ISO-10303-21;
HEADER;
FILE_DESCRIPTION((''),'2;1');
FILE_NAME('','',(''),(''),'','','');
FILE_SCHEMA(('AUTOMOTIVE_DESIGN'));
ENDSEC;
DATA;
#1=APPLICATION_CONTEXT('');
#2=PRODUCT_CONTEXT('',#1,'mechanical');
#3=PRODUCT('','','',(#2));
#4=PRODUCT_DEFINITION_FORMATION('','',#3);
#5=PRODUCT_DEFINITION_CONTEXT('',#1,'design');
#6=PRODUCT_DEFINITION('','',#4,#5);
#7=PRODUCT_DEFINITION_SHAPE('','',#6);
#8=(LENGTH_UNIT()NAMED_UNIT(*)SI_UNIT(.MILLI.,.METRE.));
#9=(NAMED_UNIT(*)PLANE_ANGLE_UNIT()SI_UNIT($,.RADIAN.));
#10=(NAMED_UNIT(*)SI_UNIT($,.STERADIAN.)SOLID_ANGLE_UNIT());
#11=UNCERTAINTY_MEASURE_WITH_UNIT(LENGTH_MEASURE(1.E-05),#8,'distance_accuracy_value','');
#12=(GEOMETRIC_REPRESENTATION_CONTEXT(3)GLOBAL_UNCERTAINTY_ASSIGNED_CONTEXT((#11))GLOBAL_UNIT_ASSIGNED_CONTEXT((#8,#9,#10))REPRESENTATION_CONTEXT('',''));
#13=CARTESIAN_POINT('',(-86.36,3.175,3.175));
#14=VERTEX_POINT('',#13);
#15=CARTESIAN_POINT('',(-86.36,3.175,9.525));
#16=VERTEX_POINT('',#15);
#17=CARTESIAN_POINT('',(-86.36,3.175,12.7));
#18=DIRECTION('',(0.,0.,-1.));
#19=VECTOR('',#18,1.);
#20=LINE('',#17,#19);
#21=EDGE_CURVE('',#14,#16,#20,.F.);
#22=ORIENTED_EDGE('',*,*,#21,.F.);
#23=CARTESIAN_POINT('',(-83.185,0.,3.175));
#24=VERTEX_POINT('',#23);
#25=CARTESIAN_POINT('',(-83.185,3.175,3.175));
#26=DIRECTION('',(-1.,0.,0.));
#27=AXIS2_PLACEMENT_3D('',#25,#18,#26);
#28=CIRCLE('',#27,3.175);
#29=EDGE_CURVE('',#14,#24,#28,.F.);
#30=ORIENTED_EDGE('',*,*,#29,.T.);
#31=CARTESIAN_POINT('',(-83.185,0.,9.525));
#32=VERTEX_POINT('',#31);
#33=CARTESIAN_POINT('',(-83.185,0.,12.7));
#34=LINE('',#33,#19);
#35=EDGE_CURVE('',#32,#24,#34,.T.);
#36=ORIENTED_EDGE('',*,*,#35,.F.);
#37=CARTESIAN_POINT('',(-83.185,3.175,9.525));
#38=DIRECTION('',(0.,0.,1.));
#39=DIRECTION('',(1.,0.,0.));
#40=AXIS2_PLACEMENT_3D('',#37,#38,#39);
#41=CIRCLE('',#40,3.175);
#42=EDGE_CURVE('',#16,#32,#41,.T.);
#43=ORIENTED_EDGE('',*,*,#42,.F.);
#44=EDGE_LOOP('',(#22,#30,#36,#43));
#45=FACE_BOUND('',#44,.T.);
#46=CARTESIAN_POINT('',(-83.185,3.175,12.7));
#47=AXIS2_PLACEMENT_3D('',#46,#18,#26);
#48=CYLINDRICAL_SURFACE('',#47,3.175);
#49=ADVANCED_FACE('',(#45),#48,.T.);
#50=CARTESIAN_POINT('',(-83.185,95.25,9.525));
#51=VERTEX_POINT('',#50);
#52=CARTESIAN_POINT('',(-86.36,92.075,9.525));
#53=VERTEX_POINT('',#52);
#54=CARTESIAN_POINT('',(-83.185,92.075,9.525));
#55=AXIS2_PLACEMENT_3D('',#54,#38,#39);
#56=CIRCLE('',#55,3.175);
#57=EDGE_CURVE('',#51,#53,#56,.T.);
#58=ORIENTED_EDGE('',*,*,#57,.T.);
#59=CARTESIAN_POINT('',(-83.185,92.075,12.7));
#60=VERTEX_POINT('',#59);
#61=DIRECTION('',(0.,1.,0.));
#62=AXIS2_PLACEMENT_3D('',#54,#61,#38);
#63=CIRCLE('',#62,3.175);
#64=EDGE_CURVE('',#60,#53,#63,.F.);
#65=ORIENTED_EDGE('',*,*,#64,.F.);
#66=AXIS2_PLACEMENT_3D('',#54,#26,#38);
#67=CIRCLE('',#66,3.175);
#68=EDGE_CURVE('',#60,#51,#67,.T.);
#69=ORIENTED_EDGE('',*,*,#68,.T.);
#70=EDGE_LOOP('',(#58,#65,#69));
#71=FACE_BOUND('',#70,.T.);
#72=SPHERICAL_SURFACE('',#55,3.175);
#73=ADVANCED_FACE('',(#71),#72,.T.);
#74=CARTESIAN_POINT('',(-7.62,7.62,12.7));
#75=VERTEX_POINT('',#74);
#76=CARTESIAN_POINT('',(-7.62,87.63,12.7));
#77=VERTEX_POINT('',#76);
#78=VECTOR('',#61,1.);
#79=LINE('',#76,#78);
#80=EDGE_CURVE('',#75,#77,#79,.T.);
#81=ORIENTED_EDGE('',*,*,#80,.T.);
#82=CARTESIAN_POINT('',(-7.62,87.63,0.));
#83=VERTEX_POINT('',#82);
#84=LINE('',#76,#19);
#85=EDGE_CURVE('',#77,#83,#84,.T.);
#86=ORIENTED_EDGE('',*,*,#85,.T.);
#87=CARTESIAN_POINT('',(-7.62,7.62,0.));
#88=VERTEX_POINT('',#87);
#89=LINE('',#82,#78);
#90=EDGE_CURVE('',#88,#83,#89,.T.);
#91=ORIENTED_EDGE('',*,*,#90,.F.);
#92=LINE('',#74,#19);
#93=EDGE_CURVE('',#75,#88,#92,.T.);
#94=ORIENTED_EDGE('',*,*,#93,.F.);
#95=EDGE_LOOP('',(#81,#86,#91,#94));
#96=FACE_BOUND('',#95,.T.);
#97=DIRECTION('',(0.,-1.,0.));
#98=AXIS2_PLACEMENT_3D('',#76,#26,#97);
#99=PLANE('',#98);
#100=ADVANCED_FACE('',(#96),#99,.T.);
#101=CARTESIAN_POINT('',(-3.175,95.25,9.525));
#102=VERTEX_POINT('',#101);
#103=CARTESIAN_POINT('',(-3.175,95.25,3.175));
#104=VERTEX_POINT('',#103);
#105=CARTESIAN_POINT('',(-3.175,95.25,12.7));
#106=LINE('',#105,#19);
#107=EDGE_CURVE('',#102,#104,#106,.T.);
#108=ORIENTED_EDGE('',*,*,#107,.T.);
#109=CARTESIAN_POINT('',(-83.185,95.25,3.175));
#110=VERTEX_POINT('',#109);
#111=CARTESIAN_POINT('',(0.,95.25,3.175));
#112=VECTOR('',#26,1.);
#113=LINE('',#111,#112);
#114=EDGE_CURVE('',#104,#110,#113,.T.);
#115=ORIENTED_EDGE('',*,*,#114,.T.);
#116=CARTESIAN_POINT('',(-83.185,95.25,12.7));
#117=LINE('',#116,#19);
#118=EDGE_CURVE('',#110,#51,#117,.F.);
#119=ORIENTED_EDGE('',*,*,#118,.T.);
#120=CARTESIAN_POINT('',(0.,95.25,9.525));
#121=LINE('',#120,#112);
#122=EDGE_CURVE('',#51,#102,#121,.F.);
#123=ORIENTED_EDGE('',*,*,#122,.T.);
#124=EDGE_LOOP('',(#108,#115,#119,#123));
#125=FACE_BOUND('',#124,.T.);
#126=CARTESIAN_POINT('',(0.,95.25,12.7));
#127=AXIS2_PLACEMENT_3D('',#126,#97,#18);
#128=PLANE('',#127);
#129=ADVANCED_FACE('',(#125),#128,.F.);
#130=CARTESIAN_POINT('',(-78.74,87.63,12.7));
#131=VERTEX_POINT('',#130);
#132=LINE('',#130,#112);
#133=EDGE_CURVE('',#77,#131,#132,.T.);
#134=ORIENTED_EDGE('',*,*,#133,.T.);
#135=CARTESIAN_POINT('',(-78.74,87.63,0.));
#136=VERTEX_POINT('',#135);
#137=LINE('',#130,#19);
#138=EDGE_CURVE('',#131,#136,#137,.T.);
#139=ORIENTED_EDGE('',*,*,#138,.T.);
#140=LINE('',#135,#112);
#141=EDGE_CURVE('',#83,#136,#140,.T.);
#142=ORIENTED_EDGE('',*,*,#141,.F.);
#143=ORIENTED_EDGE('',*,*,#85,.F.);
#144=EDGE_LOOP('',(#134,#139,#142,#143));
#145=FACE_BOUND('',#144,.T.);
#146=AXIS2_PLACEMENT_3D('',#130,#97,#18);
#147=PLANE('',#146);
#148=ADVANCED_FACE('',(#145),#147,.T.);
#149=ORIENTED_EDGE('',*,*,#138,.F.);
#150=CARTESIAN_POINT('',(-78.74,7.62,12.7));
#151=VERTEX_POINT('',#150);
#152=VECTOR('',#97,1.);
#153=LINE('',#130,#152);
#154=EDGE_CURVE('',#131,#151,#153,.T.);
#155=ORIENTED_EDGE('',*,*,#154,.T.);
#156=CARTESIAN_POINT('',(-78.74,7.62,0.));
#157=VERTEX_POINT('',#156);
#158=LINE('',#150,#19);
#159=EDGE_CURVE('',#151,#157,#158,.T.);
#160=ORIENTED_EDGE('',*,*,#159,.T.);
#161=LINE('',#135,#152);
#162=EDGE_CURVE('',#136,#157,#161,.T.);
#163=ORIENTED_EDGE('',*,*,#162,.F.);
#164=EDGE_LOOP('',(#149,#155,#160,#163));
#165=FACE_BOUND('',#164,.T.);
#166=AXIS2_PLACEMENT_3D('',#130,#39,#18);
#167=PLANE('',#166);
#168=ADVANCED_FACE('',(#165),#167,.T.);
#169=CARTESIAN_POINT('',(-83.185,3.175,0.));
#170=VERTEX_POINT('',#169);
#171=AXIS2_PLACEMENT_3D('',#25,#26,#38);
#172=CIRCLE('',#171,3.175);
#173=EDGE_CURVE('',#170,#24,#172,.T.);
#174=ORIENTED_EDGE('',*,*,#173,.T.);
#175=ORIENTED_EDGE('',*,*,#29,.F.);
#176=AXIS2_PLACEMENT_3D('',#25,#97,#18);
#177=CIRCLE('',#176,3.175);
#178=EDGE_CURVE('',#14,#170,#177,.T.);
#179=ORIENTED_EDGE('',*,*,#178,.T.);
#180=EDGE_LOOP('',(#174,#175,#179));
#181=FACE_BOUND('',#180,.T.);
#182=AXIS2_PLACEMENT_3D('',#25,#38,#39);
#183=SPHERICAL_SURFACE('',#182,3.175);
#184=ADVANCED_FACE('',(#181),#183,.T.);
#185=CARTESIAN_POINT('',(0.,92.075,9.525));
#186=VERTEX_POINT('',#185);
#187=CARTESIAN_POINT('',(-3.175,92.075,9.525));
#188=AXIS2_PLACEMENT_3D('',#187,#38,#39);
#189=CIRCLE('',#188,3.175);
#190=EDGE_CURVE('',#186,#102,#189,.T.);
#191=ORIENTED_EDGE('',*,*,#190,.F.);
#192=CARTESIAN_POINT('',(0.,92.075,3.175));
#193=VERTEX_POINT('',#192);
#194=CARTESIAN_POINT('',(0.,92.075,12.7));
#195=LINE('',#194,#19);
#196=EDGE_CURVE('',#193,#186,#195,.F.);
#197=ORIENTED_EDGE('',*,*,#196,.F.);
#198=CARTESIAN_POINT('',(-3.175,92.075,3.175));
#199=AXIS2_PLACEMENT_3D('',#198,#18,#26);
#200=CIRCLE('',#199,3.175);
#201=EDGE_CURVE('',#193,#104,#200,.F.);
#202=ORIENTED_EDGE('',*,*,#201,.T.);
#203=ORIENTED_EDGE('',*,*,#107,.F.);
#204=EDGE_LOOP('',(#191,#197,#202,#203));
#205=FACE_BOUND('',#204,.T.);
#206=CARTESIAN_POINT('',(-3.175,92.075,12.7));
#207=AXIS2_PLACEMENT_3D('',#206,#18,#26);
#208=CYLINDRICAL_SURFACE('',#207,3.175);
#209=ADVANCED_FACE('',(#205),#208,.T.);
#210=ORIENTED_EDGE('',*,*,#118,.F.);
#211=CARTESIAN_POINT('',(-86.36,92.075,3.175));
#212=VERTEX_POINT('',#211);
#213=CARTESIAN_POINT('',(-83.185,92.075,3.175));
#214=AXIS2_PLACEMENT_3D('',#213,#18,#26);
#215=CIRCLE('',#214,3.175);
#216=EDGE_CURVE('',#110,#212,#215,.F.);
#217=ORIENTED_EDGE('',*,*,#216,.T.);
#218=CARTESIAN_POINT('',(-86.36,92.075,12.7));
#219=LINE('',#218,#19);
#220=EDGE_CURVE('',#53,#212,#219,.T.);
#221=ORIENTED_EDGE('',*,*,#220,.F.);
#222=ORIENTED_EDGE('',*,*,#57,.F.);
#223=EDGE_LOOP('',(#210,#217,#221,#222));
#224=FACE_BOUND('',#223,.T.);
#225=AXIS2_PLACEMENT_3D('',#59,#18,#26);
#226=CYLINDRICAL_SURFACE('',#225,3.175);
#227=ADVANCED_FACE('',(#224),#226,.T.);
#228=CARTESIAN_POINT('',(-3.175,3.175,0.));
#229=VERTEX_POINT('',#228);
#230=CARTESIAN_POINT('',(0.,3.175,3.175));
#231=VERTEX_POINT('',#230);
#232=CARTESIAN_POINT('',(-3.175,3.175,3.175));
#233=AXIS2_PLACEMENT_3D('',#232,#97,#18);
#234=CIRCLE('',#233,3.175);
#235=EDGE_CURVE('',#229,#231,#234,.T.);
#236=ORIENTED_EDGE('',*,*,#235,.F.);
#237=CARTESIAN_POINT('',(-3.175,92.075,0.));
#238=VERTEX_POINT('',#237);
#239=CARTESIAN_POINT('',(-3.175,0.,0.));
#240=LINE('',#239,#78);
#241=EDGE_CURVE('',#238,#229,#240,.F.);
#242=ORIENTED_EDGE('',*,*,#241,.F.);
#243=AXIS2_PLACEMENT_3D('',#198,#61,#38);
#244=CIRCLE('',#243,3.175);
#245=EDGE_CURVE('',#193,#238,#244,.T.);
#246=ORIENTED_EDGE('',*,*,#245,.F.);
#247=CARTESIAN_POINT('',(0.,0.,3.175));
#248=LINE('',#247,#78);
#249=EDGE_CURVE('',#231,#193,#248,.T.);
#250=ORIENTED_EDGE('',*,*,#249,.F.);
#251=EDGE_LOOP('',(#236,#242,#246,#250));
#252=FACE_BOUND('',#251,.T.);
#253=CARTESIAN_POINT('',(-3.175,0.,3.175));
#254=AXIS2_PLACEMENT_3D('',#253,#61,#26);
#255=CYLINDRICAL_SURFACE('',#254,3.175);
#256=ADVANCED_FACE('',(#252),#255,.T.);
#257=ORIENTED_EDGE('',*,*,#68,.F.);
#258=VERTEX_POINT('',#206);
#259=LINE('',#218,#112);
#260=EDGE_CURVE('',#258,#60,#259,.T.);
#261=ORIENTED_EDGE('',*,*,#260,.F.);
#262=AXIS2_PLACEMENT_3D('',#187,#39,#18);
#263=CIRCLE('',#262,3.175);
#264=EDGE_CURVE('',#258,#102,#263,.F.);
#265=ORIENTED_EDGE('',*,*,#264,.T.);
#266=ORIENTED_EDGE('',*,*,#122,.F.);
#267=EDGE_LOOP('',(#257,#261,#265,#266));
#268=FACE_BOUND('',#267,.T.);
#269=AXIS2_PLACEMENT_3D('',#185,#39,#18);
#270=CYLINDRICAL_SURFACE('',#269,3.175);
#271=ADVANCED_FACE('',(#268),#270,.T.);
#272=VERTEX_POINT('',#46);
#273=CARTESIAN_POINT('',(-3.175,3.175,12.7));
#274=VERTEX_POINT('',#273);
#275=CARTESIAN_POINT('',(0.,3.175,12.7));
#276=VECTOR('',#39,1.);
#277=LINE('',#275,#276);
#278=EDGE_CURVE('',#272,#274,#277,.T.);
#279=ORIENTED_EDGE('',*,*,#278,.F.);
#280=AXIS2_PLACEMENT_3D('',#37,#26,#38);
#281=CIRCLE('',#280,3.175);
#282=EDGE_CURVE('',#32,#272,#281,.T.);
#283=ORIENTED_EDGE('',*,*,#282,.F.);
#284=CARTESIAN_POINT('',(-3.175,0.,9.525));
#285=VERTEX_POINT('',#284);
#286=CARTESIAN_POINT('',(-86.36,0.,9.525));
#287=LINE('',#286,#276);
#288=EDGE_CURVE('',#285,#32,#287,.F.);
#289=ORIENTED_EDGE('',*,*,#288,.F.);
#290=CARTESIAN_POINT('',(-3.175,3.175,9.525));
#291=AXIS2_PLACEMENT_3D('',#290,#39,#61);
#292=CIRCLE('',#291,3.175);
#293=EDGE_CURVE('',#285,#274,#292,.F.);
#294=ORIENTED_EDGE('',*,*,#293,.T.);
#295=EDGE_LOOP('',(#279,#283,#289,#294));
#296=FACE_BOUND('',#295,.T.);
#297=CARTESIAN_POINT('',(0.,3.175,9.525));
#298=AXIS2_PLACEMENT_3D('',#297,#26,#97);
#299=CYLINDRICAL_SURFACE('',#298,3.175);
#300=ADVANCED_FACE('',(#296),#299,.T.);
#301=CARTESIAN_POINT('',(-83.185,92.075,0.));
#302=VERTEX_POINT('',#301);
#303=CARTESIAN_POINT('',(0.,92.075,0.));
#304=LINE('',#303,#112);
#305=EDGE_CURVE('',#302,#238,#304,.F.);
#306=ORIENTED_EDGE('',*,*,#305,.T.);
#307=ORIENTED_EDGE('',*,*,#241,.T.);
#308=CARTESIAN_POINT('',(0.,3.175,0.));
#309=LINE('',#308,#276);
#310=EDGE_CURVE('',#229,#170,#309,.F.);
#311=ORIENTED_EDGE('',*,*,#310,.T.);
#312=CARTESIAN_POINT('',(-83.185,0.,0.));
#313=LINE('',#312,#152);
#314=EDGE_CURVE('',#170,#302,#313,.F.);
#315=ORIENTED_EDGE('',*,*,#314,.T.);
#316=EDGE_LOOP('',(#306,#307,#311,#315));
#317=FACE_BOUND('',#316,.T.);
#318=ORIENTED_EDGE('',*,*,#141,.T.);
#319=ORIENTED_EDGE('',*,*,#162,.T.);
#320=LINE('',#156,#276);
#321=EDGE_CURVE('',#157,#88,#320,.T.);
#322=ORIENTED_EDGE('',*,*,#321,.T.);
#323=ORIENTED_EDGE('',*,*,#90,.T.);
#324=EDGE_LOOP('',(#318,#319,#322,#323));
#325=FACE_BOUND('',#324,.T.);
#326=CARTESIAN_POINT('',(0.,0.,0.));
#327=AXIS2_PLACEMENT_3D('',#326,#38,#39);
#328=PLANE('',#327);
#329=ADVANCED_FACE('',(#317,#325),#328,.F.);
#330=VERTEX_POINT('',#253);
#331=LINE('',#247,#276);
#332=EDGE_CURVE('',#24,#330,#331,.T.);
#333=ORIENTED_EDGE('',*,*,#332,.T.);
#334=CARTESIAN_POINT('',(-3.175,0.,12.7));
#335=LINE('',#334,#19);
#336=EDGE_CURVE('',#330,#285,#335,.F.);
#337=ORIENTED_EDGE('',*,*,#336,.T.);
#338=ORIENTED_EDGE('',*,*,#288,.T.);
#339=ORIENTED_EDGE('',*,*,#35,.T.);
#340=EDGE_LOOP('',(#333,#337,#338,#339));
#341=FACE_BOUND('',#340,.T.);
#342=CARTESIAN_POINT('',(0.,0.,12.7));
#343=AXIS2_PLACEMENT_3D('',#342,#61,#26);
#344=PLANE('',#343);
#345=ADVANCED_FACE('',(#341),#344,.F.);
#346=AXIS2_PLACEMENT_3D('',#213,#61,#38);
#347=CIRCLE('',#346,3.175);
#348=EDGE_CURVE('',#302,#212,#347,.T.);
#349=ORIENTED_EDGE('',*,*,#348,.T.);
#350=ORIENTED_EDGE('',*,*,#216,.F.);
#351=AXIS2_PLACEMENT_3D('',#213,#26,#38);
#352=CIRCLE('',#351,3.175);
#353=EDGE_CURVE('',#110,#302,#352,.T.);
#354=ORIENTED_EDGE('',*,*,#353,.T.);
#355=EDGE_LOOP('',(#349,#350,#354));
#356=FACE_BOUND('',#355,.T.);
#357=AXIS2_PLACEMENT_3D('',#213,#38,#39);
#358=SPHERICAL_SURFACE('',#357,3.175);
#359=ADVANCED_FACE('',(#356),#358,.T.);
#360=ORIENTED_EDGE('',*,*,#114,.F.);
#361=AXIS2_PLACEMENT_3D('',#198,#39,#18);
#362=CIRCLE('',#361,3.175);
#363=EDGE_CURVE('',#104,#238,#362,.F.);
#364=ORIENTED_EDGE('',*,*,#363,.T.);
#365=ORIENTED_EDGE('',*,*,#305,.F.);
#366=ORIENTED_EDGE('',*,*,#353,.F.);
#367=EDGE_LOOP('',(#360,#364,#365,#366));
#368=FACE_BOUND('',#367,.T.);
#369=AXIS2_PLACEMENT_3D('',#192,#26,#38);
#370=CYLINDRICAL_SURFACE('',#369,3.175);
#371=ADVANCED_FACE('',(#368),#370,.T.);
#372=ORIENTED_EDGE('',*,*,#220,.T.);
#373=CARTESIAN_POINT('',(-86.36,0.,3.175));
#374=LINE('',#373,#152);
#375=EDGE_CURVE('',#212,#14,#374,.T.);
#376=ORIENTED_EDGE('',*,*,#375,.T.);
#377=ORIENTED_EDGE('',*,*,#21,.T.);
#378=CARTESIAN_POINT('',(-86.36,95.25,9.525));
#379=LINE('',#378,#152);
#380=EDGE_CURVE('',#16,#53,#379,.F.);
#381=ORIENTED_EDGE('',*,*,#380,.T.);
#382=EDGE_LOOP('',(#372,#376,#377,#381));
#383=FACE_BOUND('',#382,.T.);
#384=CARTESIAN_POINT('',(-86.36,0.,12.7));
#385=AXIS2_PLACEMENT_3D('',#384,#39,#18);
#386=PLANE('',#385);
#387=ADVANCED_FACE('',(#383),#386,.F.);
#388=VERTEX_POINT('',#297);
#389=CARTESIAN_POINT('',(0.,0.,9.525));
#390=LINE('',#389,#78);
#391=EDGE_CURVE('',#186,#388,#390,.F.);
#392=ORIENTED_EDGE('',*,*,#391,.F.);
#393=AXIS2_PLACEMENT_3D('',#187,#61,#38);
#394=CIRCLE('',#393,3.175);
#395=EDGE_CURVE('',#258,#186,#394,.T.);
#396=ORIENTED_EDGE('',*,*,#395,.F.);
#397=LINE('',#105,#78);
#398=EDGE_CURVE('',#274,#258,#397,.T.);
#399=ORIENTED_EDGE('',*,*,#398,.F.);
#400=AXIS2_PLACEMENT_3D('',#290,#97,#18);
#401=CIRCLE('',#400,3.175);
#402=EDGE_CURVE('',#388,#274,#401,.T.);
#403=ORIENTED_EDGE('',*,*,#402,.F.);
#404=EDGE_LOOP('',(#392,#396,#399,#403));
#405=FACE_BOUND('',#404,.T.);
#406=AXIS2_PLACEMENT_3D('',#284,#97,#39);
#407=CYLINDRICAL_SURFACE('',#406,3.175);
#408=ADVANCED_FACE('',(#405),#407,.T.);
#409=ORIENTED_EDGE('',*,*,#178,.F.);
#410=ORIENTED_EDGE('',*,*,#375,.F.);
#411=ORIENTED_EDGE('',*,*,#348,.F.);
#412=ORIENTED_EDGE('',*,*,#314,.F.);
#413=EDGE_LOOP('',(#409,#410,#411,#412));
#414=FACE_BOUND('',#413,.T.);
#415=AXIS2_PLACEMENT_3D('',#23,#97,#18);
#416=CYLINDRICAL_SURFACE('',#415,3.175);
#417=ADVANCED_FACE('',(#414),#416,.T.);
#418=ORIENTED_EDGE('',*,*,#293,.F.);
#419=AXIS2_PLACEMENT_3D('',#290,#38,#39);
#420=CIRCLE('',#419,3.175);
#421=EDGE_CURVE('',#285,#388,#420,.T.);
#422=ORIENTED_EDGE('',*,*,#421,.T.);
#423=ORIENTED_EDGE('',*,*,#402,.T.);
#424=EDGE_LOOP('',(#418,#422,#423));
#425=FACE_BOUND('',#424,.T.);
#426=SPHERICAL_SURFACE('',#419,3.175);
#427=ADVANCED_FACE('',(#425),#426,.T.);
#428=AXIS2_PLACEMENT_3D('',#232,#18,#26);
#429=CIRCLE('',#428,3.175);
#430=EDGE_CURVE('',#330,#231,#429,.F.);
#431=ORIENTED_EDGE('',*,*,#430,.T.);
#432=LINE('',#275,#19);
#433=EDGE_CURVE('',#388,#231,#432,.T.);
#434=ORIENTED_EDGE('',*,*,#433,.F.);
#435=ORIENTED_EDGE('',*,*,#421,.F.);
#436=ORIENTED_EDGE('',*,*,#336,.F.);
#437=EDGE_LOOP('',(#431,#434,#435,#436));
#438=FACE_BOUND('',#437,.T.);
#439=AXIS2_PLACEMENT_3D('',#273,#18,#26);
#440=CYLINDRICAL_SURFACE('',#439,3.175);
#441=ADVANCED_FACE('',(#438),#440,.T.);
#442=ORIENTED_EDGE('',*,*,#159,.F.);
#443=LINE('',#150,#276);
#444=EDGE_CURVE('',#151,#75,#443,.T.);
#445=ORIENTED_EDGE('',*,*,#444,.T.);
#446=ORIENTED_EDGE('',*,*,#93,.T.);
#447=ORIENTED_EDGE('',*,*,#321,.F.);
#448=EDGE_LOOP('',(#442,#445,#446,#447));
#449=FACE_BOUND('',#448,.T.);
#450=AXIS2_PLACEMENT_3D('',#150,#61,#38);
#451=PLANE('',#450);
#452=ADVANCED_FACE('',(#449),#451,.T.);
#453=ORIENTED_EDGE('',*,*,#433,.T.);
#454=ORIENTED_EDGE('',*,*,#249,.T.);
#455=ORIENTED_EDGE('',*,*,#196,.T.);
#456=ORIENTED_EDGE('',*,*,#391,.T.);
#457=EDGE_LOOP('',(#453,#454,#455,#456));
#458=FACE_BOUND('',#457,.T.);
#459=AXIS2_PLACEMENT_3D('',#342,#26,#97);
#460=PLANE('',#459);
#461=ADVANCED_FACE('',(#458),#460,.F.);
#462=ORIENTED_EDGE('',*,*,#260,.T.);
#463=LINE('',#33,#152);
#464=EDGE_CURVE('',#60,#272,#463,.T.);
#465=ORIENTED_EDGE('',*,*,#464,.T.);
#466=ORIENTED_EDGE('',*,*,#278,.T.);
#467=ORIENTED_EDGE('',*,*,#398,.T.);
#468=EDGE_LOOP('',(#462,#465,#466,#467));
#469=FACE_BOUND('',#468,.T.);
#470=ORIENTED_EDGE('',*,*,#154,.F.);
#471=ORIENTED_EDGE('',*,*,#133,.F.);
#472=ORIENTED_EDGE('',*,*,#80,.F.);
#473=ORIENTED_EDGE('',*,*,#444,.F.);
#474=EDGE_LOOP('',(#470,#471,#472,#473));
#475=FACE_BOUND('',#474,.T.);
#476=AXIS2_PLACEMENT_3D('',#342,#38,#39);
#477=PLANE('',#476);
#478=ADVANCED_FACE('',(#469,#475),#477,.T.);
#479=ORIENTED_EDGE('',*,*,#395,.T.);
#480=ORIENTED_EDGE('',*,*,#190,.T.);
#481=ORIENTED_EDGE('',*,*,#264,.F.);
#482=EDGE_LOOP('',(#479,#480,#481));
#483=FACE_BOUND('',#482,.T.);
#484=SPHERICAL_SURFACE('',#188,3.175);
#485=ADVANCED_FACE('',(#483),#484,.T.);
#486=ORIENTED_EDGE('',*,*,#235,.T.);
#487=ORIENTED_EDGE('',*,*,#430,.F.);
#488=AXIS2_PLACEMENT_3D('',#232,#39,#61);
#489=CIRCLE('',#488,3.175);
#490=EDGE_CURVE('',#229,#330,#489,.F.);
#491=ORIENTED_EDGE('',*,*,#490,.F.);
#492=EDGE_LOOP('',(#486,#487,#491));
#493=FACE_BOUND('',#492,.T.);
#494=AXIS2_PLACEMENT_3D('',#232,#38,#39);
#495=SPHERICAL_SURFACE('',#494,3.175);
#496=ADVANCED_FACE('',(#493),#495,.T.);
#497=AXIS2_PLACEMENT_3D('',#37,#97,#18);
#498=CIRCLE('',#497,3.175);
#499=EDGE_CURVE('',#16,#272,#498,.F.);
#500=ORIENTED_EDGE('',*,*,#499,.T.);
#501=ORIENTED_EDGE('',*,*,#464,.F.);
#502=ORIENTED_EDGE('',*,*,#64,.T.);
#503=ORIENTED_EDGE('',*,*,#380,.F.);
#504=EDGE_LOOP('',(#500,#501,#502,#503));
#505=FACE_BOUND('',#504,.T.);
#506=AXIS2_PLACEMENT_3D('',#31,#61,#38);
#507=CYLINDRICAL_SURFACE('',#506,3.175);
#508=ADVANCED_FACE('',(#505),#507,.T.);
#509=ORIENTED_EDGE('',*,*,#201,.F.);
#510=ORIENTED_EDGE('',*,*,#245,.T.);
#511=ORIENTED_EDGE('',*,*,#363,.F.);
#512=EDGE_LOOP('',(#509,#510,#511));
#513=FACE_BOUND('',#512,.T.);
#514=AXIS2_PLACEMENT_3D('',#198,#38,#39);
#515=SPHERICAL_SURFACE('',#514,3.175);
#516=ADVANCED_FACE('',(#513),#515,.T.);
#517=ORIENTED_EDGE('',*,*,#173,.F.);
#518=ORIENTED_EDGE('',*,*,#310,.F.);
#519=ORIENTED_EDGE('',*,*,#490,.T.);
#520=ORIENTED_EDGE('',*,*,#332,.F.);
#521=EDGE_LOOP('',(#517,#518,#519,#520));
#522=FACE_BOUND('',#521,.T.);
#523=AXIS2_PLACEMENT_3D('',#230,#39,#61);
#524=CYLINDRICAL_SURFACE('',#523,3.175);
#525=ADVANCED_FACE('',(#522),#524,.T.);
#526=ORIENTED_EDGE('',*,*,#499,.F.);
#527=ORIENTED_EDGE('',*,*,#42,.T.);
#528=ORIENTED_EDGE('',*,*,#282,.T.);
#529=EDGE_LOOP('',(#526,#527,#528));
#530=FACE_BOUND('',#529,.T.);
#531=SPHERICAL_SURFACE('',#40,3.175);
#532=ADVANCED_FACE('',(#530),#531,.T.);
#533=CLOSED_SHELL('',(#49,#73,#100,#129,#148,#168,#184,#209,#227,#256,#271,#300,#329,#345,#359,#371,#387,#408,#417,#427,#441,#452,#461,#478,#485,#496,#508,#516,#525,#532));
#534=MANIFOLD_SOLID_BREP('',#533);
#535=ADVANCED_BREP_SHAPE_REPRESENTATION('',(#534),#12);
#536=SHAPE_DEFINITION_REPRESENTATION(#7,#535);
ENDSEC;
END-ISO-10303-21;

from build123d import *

# Parameters (mm, degrees)
SKETCH1_W           = 86.36
SKETCH1_H           = 95.25
SKETCH1_W_2         = 71.12
SKETCH1_H_2         = 80.01
BOSS_EXTRUDE1_DEPTH = 12.7
FILLET1_R           = 3.175


with BuildPart() as part:
    # Sketch1 → Boss-Extrude1 (new body)
    with BuildSketch(Plane.XY):
        with Locations((-43.18, 47.625)):
            Rectangle(SKETCH1_W, SKETCH1_H)
        with Locations((-43.18, 47.625)):
            Rectangle(SKETCH1_W_2, SKETCH1_H_2, mode=Mode.SUBTRACT)
    extrude(amount=BOSS_EXTRUDE1_DEPTH)

    # Fillet1
    fillet1_edges = [part.edges().sort_by_distance(p)[0] for p in [
        (-86.36, 47.625, 12.7),
        (-43.18, 0, 12.7),
        (0, 47.625, 12.7),
        (-43.18, 0, 0),
        (-86.36, 47.625, 0),
        (-43.18, 95.25, 0),
        (0, 47.625, 0),
        (0, 0, 6.35),
        (-86.36, 0, 6.35),
        (-86.36, 95.25, 6.35),
        (0, 95.25, 6.35),
        (-43.18, 95.25, 12.7),
    ]]
    fillet(fillet1_edges, radius=FILLET1_R)


solid = part.part
